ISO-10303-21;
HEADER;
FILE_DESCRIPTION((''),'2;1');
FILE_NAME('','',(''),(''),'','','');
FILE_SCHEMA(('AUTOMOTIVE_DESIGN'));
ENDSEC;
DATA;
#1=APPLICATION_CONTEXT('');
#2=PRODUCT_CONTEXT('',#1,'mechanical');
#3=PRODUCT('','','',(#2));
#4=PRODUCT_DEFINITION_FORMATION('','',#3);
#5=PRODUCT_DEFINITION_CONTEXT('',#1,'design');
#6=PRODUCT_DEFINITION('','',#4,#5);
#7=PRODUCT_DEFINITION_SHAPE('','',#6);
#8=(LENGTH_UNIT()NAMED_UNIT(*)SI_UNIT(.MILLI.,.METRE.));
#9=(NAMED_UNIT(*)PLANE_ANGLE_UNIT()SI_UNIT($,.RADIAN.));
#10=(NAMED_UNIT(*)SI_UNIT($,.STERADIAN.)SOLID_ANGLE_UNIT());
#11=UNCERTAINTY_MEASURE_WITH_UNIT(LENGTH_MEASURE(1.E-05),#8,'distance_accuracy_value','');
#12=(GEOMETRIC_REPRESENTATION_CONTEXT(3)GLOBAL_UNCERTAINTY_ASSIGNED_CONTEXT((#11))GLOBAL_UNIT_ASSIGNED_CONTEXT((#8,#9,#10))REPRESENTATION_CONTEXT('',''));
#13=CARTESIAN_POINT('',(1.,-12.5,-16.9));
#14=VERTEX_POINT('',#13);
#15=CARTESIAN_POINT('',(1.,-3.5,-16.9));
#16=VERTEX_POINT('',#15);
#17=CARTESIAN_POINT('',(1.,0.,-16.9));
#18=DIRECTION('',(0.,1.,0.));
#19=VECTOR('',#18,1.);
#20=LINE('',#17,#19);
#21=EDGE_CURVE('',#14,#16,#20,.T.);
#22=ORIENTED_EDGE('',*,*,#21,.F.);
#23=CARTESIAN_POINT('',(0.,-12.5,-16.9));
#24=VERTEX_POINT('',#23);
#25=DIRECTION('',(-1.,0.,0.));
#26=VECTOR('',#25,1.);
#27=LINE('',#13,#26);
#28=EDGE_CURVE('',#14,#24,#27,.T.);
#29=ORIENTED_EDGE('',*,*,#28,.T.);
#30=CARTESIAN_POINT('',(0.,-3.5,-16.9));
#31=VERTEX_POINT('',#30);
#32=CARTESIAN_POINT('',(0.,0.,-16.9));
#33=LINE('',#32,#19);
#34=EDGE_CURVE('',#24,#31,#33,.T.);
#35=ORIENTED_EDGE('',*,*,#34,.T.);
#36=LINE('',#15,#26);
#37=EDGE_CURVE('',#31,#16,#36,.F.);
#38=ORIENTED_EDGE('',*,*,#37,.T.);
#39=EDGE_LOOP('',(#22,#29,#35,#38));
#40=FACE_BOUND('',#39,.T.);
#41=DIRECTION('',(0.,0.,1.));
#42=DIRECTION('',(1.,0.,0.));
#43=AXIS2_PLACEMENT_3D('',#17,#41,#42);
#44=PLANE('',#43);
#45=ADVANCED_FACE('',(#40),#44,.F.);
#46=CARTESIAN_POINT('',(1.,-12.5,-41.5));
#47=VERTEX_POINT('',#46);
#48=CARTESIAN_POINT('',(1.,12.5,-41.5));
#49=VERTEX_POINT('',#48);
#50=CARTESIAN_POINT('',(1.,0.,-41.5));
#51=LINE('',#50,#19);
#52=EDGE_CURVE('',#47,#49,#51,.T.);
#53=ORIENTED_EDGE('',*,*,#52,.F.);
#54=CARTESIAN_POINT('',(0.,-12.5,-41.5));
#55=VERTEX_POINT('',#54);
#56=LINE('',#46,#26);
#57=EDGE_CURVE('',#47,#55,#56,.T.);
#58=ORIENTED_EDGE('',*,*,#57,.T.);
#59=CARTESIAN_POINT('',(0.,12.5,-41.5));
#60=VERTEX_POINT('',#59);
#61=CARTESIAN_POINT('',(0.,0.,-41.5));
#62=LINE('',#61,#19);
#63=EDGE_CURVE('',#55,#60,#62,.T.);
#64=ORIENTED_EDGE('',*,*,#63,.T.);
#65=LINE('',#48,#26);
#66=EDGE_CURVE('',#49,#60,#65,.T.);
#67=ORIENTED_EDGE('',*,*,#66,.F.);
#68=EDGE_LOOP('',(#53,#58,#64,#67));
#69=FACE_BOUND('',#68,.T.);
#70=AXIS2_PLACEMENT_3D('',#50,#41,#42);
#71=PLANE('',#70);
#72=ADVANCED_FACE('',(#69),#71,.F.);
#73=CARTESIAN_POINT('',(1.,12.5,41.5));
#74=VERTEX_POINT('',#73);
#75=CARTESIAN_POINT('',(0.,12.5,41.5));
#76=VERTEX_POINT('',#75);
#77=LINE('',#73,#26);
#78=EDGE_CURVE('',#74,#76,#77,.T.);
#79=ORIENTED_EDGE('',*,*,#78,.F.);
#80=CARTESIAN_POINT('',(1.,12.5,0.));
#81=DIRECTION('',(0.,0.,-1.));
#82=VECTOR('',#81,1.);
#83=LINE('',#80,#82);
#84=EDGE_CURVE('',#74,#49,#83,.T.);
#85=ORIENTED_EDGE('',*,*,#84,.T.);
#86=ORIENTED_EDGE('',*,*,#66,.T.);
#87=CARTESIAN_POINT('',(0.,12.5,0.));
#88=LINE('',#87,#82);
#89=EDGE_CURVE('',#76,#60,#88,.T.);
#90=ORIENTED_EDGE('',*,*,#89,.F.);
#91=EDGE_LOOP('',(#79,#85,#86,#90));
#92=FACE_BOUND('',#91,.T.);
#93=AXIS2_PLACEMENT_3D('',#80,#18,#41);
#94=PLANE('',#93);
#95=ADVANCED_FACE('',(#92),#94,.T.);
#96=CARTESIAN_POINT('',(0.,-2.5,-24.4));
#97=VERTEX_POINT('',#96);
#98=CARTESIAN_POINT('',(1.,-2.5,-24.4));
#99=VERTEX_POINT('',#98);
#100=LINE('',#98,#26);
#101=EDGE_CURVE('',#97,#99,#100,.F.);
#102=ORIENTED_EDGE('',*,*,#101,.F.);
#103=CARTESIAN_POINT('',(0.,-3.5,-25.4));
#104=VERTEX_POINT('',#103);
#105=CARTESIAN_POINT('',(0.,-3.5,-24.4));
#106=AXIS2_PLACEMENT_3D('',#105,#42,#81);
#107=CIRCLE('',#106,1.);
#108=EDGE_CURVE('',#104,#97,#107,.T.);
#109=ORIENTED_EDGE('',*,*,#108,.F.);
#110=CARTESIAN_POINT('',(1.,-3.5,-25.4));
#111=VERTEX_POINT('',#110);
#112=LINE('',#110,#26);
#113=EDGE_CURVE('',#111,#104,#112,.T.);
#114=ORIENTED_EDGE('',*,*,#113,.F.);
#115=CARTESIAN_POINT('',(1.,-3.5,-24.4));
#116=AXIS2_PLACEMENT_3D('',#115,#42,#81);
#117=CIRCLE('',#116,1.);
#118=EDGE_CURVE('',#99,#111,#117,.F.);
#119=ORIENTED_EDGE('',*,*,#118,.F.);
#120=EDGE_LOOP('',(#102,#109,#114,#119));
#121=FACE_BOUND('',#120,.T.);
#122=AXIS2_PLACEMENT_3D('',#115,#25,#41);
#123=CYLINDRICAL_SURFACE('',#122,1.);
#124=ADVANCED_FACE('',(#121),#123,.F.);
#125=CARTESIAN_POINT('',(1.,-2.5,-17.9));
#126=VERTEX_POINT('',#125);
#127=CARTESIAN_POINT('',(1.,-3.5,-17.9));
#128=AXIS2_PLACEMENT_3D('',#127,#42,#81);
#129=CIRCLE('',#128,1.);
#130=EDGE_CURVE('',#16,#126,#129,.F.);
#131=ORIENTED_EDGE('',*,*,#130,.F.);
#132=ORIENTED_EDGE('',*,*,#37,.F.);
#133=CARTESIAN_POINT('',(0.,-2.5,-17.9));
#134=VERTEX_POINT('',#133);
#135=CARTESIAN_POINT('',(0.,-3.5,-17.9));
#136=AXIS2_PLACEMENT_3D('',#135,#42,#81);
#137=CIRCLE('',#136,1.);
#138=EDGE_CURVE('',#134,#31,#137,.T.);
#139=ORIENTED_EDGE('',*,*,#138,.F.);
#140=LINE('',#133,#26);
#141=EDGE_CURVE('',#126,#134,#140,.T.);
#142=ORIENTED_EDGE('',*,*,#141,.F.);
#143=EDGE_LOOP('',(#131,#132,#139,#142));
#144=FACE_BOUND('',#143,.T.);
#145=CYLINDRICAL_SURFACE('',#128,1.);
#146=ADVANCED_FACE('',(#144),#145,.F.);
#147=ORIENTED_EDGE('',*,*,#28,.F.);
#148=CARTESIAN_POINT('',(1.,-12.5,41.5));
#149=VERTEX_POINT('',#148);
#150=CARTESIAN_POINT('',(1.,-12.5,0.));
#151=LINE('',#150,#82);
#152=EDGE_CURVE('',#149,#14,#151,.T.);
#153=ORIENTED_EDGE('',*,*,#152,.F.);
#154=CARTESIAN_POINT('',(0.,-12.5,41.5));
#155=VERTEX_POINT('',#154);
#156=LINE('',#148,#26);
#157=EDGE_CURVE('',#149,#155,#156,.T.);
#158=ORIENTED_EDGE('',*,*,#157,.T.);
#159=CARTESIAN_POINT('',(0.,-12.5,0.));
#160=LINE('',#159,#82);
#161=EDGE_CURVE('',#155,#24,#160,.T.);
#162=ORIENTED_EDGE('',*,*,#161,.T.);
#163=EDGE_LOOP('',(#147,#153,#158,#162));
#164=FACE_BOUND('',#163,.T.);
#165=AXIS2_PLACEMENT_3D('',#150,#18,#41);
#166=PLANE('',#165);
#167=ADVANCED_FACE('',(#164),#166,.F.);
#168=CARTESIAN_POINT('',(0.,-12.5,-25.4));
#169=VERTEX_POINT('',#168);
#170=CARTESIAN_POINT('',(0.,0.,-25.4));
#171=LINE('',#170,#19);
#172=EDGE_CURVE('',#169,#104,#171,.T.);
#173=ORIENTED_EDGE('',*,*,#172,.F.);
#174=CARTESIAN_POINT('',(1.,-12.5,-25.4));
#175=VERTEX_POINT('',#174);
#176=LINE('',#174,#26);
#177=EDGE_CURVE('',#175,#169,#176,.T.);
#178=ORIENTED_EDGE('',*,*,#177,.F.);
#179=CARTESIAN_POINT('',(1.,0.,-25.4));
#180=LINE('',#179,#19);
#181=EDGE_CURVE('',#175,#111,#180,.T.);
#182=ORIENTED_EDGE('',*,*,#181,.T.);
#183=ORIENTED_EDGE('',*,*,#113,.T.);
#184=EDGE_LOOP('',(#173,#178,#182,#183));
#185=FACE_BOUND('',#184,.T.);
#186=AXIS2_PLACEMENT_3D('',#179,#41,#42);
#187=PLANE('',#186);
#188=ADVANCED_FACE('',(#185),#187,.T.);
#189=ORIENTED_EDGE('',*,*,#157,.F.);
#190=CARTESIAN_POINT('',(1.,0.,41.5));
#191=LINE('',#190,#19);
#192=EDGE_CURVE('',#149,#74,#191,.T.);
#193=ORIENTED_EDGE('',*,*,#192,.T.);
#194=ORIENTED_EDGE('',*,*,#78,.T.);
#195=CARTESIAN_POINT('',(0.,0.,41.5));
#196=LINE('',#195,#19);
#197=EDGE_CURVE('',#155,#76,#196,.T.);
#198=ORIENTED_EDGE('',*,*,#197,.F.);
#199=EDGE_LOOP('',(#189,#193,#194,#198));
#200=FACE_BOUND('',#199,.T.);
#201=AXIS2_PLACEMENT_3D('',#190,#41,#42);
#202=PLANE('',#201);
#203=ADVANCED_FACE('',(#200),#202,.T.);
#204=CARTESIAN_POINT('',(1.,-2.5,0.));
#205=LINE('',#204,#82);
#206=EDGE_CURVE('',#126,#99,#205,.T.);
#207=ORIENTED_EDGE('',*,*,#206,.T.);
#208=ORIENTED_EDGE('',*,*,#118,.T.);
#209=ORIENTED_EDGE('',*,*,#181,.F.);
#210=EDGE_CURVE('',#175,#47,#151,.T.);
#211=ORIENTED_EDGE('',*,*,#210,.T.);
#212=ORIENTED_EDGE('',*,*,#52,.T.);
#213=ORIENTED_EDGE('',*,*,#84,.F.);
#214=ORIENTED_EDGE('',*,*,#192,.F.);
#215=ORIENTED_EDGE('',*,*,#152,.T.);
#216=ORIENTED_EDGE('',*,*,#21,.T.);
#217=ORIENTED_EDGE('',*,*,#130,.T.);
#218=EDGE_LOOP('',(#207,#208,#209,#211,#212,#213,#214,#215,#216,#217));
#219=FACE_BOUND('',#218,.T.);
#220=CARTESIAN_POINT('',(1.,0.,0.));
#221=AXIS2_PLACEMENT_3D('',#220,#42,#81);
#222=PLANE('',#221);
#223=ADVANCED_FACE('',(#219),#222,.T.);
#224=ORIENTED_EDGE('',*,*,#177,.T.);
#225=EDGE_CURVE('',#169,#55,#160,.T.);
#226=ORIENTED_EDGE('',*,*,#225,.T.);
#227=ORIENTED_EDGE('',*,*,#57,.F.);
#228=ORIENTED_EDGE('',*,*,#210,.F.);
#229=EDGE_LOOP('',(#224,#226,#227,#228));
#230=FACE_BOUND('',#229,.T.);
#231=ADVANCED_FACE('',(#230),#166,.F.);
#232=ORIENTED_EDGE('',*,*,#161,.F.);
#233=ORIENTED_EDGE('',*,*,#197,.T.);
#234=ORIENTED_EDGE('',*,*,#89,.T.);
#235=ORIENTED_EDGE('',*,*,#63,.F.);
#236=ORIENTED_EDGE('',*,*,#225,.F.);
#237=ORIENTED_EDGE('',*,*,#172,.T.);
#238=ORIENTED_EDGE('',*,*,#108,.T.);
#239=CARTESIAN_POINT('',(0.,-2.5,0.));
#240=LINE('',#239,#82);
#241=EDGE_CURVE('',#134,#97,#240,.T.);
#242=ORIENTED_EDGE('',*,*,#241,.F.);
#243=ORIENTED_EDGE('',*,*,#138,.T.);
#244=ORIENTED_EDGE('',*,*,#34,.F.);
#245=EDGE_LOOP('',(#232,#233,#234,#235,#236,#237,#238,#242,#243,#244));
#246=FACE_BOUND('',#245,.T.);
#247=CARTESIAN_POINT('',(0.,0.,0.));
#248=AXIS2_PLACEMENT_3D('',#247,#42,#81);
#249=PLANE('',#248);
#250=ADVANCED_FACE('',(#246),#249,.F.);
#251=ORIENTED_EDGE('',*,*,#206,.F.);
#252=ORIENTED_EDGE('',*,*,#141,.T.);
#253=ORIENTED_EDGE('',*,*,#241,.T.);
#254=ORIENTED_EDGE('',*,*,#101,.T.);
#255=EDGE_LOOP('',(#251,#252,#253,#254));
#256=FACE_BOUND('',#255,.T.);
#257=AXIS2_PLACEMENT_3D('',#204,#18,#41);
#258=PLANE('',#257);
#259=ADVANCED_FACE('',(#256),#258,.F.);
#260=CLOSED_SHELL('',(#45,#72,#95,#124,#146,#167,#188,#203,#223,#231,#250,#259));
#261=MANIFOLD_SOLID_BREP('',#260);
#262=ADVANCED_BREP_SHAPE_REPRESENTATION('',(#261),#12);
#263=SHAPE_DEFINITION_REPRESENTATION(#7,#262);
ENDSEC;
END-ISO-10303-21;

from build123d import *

# Parameters (mm, degrees)
BOSS_EXTRUDE1_DEPTH = 1
FILLET1_R           = 1


with BuildPart() as part:
    # Sketch1 → Boss-Extrude1 (new body)
    with BuildSketch(Plane(origin=(0, 0, 0), x_dir=(0, 0, -1), z_dir=(1, 0, 0))):
        Polygon((-41.5, 12.5), (-41.5, -12.5), (16.9, -12.5), (16.9, -2.5), (25.4, -2.5), (25.4, -12.5), (41.5, -12.5), (41.5, 12.5), align=None)
    extrude(amount=BOSS_EXTRUDE1_DEPTH)

    # Fillet1
    fillet1_edges = [part.edges().sort_by_distance(p)[0] for p in [
        (0.5, -2.5, -25.4),
        (0.5, -2.5, -16.9),
    ]]
    fillet(fillet1_edges, radius=FILLET1_R)


solid = part.part
